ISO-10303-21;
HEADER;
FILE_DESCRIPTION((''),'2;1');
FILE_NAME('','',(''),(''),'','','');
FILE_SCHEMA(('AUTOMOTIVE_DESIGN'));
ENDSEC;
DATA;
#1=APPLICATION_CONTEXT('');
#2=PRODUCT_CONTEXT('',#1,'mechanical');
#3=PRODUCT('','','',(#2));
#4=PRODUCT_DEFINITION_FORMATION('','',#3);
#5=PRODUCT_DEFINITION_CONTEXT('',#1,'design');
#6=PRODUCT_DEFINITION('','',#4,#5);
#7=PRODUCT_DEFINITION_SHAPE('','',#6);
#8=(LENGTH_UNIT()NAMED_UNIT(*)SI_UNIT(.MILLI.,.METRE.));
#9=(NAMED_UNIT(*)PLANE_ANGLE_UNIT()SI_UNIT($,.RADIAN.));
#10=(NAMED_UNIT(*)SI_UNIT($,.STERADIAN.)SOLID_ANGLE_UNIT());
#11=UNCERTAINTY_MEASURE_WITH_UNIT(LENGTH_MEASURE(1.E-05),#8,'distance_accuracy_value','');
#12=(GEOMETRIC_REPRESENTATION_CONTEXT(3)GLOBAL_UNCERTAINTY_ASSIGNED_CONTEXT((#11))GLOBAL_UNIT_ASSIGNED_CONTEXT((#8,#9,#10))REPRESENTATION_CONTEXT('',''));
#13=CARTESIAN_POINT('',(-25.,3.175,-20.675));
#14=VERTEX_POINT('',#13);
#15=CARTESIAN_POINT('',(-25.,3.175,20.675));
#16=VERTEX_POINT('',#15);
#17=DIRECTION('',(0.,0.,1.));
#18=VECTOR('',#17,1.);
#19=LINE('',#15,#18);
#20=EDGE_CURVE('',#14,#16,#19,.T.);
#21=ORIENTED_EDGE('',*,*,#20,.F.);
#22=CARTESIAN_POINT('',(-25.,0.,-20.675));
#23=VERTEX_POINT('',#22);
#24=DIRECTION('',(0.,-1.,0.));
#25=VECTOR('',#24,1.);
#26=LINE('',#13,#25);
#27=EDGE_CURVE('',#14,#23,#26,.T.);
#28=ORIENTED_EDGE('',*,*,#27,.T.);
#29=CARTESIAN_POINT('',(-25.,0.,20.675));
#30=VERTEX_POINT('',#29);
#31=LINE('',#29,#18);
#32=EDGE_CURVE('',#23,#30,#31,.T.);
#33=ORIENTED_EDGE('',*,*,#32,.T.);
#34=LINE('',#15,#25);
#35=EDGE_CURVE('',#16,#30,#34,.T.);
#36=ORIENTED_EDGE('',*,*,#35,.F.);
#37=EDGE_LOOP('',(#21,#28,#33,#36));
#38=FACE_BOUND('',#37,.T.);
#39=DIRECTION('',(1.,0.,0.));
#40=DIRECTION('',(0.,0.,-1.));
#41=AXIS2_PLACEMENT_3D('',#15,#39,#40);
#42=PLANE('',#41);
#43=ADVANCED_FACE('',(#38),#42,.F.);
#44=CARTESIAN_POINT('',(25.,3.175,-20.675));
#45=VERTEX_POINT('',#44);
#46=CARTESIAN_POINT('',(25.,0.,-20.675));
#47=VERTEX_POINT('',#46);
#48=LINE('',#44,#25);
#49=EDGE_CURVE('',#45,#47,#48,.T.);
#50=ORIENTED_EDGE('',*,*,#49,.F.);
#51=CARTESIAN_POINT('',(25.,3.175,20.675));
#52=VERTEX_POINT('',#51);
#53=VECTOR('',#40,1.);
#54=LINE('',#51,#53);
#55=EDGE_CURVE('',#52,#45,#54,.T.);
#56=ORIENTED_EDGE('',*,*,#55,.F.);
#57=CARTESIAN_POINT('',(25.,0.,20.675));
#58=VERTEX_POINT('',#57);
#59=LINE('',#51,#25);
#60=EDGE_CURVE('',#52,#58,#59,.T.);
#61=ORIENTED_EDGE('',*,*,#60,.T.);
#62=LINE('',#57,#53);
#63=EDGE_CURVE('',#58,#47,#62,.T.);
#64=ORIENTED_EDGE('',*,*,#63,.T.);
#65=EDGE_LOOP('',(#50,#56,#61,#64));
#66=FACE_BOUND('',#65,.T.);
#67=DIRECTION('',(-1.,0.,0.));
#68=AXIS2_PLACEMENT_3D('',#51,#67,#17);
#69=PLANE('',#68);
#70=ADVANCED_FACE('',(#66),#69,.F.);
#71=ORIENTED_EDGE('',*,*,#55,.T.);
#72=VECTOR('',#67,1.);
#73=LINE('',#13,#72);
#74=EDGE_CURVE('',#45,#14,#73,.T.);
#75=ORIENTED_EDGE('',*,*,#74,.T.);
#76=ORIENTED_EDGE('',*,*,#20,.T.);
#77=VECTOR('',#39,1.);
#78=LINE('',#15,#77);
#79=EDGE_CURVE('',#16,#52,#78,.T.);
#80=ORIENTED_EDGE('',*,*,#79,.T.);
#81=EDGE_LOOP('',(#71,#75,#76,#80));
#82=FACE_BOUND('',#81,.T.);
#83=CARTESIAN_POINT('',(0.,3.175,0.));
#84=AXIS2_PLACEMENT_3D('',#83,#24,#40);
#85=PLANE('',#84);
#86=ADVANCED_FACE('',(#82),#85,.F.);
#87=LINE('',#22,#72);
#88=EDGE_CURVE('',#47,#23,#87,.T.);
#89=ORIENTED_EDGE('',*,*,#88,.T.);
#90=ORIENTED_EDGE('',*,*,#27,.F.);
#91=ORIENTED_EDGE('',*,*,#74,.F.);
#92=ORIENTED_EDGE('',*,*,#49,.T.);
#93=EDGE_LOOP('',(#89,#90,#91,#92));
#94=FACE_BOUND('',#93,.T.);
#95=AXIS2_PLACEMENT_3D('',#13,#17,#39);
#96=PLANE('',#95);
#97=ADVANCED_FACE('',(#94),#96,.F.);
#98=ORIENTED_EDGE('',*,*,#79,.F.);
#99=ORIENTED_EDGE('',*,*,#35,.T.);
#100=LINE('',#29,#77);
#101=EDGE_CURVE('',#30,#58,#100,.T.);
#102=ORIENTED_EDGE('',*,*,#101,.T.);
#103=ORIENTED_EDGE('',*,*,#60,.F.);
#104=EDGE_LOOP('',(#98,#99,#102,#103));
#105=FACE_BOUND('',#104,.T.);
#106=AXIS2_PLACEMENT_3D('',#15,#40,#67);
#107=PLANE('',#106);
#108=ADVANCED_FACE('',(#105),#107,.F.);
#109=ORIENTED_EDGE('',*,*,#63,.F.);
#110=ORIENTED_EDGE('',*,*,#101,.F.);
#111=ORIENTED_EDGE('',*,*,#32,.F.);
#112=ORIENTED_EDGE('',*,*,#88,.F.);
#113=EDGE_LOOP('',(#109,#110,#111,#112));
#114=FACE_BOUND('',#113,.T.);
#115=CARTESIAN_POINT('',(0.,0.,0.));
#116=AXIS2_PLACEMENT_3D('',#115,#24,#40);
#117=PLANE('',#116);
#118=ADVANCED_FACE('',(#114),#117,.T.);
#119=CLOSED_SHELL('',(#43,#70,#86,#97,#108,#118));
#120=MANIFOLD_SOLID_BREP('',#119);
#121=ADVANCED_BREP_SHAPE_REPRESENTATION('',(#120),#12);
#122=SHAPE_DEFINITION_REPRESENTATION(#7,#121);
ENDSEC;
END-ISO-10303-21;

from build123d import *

# Parameters (mm, degrees)
SKETCH1_W           = 50
SKETCH1_H           = 41.35
BOSS_EXTRUDE1_DEPTH = 3.175


with BuildPart() as part:
    # Sketch1 → Boss-Extrude1 (new body)
    with BuildSketch(Plane(origin=(0, 0, 0), x_dir=(1, 0, 0), z_dir=(0, 1, 0))):
        Rectangle(SKETCH1_W, SKETCH1_H)
    extrude(amount=BOSS_EXTRUDE1_DEPTH)


solid = part.part
